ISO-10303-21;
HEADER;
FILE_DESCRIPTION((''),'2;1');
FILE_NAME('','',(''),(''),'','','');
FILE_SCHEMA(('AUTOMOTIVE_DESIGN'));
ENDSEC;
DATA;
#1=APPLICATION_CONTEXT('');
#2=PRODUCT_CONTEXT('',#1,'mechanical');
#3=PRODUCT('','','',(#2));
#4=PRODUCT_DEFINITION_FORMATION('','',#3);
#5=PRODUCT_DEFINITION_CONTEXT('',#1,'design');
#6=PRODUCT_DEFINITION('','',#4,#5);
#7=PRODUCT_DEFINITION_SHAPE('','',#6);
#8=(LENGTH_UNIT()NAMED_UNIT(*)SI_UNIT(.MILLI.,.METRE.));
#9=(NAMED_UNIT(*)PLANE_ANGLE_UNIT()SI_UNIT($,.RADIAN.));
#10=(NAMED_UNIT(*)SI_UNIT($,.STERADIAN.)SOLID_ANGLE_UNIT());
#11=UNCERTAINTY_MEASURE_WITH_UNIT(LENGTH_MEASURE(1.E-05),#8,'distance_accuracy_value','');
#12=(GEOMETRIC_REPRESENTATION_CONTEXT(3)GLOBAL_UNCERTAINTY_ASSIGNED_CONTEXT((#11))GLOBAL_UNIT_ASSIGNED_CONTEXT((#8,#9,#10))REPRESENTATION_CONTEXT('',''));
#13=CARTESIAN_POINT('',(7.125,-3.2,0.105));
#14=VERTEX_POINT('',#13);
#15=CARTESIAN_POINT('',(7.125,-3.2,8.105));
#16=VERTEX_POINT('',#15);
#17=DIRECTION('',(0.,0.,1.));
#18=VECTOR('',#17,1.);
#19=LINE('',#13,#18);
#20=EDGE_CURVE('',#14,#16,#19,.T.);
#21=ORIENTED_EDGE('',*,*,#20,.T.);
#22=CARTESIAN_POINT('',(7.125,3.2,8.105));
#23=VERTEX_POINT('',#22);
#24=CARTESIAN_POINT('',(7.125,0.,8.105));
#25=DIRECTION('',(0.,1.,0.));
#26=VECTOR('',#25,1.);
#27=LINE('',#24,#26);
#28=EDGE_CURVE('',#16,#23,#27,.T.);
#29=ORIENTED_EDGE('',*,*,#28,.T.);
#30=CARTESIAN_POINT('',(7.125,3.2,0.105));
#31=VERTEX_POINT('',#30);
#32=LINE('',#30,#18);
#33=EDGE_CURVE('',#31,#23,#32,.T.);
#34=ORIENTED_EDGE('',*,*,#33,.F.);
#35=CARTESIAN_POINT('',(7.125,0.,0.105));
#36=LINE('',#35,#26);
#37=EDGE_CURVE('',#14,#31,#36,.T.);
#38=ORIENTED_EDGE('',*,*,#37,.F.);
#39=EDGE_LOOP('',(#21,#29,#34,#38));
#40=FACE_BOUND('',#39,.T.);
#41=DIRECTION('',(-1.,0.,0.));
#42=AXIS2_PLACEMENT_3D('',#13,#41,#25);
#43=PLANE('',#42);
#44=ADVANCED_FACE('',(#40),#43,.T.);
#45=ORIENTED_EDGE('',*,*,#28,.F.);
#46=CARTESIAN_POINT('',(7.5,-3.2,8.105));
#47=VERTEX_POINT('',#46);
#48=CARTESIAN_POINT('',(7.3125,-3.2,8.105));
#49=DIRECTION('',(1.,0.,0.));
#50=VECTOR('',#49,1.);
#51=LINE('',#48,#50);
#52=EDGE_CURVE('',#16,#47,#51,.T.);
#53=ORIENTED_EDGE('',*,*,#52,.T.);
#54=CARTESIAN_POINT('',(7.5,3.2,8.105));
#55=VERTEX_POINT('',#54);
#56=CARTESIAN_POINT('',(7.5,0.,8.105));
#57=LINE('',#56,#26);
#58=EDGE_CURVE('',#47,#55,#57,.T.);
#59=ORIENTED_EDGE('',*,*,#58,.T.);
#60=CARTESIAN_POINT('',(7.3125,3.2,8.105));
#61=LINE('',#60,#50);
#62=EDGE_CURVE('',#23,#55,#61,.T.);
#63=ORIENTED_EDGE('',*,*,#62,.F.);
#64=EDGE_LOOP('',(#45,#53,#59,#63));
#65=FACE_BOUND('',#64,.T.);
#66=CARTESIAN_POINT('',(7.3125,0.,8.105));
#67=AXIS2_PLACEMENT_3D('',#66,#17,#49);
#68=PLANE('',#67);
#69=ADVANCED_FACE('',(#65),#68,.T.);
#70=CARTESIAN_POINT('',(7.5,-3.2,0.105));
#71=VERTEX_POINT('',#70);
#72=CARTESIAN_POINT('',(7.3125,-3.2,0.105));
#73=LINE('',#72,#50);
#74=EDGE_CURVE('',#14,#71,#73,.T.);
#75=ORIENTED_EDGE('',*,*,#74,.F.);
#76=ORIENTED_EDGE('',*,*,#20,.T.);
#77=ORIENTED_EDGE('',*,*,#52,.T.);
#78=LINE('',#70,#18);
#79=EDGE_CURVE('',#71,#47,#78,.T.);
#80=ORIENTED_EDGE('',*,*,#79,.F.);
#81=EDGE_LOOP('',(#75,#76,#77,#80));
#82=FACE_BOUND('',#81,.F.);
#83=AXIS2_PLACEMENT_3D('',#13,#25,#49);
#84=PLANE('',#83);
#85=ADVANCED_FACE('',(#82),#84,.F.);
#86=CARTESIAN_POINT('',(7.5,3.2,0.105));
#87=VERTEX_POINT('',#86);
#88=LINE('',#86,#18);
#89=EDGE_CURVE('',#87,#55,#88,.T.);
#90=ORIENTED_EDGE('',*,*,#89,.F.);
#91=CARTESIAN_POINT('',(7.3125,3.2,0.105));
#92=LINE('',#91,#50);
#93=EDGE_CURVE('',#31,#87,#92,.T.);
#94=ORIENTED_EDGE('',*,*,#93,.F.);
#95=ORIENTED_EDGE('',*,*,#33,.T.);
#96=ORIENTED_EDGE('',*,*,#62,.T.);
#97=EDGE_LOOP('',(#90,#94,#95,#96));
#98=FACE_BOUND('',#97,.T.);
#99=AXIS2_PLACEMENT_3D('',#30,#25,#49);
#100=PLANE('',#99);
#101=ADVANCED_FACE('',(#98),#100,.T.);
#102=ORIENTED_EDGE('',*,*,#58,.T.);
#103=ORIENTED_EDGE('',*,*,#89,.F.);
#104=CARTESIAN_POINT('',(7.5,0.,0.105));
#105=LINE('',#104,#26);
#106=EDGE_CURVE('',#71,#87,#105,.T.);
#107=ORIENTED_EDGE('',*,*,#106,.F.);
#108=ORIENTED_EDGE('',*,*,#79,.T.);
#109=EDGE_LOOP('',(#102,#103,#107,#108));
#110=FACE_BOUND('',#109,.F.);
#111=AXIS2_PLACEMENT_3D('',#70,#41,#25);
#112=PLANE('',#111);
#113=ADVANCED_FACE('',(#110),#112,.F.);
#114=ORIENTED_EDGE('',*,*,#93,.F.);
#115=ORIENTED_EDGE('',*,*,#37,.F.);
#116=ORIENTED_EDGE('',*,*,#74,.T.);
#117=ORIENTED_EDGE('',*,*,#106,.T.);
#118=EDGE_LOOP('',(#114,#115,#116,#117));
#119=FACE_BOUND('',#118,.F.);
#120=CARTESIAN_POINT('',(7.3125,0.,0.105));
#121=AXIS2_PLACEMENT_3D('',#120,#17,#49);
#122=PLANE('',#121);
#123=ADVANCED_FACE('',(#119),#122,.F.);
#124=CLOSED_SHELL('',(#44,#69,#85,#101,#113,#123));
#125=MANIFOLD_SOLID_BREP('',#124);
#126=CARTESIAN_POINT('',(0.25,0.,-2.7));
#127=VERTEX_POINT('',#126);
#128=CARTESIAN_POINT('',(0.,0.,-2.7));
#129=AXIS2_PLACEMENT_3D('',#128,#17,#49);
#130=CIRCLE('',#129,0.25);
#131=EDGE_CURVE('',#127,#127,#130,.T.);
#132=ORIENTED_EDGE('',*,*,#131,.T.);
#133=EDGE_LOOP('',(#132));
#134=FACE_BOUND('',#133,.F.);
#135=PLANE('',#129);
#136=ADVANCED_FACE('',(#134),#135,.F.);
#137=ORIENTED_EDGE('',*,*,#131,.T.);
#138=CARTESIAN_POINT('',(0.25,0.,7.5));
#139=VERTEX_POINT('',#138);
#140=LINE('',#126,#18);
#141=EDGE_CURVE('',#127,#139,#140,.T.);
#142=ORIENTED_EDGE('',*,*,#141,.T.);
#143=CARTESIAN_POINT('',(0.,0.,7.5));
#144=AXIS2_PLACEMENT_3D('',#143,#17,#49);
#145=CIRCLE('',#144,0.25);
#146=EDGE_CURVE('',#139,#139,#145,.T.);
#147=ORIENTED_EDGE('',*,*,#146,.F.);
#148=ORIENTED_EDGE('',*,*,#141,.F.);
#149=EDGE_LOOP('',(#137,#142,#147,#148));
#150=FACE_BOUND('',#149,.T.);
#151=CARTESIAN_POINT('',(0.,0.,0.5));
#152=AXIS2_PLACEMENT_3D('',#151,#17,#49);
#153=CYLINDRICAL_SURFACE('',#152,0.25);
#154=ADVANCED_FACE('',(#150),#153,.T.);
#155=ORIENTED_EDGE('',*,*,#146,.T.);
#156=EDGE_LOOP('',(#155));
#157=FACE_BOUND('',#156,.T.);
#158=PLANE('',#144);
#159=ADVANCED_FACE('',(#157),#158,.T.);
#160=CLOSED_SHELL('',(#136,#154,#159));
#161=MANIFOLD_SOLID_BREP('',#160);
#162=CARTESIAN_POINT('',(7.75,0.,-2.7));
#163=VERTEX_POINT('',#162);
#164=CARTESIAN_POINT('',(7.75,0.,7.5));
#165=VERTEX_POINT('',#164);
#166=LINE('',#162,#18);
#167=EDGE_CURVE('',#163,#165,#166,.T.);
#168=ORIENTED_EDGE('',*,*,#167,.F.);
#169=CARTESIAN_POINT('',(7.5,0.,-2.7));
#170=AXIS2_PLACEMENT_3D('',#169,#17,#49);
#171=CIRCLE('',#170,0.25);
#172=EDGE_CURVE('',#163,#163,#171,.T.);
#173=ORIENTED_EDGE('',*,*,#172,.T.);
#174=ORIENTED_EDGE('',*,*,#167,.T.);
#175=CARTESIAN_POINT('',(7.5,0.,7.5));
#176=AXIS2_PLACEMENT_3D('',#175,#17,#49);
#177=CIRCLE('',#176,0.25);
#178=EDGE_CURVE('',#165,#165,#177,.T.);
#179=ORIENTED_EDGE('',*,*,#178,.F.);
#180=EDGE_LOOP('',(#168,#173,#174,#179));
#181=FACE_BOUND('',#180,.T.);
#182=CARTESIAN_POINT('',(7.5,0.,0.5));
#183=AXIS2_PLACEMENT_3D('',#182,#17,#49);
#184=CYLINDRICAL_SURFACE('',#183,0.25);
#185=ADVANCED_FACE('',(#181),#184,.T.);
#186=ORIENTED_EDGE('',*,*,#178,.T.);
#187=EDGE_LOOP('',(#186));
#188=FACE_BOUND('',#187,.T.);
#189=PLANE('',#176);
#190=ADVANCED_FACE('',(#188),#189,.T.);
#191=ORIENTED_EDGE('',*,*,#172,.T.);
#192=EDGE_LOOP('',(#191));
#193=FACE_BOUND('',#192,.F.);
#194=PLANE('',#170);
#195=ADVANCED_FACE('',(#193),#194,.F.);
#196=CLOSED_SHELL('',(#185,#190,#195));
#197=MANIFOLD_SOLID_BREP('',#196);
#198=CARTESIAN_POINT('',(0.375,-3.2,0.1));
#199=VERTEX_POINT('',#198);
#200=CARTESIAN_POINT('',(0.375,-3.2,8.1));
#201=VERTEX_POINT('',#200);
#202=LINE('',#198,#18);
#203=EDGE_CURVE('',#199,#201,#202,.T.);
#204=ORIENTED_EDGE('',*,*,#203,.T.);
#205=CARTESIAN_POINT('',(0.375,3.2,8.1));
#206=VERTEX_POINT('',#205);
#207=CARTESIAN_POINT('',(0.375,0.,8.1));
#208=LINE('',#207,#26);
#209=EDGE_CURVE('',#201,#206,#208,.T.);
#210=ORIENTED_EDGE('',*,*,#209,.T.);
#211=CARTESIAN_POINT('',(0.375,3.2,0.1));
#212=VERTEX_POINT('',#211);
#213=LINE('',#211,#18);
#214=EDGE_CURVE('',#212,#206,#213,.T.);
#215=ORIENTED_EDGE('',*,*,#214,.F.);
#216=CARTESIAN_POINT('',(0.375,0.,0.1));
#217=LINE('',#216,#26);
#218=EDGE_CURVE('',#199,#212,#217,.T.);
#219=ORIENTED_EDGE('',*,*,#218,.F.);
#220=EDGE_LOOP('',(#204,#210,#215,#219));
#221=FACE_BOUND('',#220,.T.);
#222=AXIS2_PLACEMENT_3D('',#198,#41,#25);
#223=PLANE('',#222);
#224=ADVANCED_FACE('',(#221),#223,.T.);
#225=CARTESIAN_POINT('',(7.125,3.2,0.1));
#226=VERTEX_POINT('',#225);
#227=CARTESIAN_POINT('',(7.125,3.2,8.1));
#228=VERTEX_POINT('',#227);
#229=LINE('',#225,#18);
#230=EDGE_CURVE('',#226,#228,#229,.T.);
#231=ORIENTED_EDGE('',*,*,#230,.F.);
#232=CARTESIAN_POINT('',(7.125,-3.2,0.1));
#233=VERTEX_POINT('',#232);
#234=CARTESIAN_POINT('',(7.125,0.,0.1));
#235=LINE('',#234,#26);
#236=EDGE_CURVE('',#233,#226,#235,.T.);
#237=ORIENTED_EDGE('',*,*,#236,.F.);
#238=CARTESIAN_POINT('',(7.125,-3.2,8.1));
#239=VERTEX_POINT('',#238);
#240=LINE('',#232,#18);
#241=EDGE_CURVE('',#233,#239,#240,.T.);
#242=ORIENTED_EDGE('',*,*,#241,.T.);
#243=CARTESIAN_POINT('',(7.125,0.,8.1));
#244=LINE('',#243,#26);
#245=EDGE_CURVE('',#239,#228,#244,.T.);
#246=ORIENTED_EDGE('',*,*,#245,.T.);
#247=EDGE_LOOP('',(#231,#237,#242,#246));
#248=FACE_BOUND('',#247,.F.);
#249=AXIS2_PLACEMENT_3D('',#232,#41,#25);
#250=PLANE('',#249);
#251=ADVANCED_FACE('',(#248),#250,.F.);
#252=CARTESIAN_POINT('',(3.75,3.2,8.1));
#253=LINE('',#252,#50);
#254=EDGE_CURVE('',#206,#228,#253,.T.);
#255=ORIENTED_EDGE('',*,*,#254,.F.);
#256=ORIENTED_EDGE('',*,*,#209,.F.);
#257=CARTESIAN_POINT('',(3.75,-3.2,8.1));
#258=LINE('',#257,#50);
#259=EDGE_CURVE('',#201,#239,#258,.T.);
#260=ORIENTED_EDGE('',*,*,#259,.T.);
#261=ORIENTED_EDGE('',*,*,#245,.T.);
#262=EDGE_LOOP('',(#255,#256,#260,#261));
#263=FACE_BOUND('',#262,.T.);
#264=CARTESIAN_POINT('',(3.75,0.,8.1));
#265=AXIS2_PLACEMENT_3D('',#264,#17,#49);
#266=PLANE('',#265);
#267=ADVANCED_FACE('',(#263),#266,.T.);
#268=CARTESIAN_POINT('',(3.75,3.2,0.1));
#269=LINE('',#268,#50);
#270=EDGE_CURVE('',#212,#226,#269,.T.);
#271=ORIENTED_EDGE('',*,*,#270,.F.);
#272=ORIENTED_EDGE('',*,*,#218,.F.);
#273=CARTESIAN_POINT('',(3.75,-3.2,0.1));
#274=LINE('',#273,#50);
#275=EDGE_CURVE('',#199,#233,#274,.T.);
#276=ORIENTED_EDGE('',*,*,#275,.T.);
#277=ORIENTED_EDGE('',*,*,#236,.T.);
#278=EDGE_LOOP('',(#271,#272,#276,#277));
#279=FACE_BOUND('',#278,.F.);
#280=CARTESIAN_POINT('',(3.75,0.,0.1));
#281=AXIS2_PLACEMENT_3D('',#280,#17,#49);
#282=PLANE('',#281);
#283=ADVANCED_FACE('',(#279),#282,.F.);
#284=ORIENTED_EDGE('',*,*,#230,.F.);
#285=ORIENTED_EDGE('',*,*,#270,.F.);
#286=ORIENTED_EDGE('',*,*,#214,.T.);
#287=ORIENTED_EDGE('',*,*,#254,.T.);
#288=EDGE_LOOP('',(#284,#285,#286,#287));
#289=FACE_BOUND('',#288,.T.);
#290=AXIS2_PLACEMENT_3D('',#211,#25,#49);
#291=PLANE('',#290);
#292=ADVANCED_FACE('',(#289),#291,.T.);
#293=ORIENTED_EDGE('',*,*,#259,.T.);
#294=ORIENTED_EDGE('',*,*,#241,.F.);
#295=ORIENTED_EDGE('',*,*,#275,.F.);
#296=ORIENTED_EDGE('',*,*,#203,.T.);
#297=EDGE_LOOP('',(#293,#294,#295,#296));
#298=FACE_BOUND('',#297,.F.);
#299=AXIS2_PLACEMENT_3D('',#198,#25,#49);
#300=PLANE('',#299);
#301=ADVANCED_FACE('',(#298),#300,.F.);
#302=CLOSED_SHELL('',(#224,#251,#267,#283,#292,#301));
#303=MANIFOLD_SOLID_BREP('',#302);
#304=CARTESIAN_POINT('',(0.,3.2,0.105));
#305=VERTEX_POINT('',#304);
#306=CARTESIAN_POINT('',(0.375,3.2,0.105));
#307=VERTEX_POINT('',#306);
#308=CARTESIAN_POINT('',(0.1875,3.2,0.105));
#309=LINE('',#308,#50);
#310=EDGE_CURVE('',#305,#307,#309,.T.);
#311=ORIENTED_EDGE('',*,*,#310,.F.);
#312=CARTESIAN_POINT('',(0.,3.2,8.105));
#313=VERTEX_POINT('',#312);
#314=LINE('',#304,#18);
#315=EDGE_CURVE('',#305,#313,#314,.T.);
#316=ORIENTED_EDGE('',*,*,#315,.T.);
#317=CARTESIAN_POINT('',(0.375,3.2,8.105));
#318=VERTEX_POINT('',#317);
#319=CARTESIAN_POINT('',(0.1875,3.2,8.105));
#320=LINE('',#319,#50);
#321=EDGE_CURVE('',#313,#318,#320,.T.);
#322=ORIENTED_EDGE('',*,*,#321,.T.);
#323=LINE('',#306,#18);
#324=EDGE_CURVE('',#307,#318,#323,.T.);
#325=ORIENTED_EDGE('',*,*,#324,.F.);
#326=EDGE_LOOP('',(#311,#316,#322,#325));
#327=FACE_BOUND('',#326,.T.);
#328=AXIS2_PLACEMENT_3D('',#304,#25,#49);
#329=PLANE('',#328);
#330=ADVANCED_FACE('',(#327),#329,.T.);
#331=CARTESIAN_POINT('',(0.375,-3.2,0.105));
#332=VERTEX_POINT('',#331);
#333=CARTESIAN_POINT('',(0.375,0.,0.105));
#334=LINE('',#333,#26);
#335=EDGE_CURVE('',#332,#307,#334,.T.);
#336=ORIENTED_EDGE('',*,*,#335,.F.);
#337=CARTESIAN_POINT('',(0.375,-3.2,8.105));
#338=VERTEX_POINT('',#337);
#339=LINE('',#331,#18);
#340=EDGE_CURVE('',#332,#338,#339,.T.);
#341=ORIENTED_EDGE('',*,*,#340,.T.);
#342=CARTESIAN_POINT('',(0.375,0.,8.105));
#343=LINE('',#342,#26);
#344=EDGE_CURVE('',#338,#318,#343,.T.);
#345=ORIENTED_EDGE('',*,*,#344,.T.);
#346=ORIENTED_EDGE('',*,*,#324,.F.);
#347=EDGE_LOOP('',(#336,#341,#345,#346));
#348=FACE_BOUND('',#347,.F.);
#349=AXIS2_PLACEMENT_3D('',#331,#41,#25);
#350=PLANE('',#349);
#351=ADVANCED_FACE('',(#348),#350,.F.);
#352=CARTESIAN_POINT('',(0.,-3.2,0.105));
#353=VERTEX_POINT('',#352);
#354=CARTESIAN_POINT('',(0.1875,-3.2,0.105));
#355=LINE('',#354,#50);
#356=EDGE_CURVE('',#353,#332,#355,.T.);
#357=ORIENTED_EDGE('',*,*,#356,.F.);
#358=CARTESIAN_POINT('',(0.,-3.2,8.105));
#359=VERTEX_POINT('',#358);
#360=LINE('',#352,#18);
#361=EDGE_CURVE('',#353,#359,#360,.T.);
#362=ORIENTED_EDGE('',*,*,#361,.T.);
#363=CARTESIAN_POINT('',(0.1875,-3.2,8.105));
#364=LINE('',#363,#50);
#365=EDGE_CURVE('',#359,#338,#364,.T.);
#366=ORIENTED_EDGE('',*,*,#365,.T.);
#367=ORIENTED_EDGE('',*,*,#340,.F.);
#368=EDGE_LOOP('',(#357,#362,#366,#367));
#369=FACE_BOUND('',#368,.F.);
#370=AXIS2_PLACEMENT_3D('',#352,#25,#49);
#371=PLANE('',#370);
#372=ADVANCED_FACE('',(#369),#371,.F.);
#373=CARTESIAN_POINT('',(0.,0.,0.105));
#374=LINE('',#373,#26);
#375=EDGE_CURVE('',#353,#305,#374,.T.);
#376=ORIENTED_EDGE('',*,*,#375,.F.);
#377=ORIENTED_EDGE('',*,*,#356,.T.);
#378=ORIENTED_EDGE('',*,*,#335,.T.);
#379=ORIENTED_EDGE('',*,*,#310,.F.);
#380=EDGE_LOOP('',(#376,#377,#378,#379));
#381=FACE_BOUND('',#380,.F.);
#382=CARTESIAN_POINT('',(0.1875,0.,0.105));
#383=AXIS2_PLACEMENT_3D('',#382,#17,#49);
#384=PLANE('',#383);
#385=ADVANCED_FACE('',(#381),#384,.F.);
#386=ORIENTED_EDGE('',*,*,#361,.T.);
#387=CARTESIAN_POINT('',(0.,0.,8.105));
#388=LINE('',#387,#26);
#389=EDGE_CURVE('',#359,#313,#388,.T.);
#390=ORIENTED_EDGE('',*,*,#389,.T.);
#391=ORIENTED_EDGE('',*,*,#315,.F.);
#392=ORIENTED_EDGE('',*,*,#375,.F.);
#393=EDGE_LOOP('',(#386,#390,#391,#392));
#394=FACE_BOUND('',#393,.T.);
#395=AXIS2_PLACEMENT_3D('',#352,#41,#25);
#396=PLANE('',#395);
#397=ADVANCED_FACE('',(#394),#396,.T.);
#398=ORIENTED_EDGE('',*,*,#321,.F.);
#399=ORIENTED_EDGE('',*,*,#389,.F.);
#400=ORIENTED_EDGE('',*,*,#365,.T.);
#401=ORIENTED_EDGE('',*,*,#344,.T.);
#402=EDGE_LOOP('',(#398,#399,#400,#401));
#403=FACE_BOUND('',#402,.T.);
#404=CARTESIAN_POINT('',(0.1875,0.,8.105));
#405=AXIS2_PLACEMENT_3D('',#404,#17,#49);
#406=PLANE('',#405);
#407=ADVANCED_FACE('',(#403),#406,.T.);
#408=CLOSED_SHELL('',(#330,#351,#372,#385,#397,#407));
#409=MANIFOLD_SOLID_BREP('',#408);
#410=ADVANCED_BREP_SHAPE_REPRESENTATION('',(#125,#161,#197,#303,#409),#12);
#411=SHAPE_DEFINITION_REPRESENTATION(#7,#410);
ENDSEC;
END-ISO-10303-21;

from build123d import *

# Parameters (mm, degrees)
SKETCH_W          = 6.75
SKETCH_H          = 6.4
PAD_DEPTH         = 8
SKETCH001_R       = 0.25
PAD001_DEPTH      = 7
PAD001_DEPTH_BACK = 3.2
SKETCH002_W       = 0.375
SKETCH002_H       = 6.4
PAD002_DEPTH      = 8


with BuildPart() as pad:
    # Sketch → Pad (new body)
    with BuildSketch(Plane.XY.offset(0.1)):
        with Locations((3.75, 0)):
            Rectangle(SKETCH_W, SKETCH_H)
    extrude(amount=PAD_DEPTH)


with BuildPart() as pad001:
    # Sketch001 → Pad001 (new body, two sides)
    with BuildSketch(Plane.XY.offset(0.5)) as pad001_sk:
        Circle(SKETCH001_R)
        with Locations((7.5, 0)):
            Circle(SKETCH001_R)
    extrude(amount=PAD001_DEPTH)
    extrude(pad001_sk.sketch, amount=-PAD001_DEPTH_BACK)


with BuildPart() as pad002:
    # Sketch002 → Pad002 (new body)
    with BuildSketch(Plane.XY.offset(0.105)):
        with Locations((0.1875, 0)):
            Rectangle(SKETCH002_W, SKETCH002_H)
        with Locations((7.3125, 0)):
            Rectangle(SKETCH002_W, SKETCH002_H)
    extrude(amount=PAD002_DEPTH)


solid = Compound([pad.part, pad001.part, pad002.part])
